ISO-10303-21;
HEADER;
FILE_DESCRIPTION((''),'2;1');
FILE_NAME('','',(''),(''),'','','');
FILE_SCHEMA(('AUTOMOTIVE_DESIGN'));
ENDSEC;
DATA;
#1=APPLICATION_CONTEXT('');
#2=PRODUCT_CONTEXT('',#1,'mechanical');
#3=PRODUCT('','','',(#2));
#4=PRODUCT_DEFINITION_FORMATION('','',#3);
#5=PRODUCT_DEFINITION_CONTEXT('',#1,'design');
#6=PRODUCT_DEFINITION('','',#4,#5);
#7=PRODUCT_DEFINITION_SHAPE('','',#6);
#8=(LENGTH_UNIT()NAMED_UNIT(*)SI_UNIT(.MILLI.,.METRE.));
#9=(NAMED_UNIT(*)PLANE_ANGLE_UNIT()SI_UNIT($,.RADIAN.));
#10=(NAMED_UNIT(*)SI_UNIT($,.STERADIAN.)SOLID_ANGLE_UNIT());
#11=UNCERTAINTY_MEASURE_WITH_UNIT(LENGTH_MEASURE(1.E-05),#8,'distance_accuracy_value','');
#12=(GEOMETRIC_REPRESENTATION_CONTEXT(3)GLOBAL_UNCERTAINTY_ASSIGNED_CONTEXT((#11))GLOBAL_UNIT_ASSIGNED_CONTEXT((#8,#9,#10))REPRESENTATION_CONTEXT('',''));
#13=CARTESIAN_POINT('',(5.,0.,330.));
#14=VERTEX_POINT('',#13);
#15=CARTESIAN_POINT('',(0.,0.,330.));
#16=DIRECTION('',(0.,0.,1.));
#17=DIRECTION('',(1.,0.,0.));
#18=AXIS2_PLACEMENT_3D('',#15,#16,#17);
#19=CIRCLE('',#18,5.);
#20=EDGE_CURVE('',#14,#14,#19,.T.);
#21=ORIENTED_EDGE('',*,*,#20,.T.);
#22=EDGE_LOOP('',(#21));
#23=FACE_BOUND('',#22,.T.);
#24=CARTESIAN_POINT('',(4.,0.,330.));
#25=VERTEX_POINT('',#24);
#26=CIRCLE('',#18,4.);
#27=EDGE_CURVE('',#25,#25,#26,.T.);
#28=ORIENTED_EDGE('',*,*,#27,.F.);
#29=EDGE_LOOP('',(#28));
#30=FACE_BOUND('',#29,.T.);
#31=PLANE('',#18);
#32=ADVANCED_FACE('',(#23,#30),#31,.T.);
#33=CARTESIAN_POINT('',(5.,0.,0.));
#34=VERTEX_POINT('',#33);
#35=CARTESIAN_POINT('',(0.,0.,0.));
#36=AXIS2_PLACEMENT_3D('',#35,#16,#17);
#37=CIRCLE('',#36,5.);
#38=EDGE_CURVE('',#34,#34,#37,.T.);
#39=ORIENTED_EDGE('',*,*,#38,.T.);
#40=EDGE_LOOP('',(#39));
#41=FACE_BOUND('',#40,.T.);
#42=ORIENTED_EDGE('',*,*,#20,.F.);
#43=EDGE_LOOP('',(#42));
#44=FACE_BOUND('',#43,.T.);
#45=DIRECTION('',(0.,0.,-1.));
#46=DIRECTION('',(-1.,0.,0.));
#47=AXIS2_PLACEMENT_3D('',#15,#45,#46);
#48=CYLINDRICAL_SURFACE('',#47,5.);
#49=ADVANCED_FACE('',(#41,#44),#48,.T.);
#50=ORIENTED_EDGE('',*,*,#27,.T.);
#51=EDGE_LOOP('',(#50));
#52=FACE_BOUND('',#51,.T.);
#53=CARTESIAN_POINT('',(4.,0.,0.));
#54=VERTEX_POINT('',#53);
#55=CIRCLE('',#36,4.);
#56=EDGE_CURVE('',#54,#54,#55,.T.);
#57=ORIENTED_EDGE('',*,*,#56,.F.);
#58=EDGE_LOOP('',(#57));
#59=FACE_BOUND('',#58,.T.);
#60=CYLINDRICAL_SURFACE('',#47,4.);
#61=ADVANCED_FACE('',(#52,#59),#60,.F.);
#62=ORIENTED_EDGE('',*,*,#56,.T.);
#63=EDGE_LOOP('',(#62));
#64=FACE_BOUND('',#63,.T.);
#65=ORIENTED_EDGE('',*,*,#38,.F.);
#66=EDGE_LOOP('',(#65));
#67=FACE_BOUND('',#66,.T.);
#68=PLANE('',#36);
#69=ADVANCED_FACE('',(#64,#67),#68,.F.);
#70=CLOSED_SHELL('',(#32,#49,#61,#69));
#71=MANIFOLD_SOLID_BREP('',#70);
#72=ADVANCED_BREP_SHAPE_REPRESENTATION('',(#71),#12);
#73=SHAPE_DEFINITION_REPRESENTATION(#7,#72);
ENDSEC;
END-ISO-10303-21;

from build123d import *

# Parameters (mm, degrees)
SKIZZE1_R                       = 5
SKIZZE1_R_2                     = 4
AUFSATZ_LINEAR_AUSTRAGEN1_DEPTH = 330


with BuildPart() as part:
    # Skizze1 → Aufsatz-Linear austragen1 (new body)
    with BuildSketch(Plane.XY):
        Circle(SKIZZE1_R)
        Circle(SKIZZE1_R_2, mode=Mode.SUBTRACT)
    extrude(amount=AUFSATZ_LINEAR_AUSTRAGEN1_DEPTH)


solid = part.part
